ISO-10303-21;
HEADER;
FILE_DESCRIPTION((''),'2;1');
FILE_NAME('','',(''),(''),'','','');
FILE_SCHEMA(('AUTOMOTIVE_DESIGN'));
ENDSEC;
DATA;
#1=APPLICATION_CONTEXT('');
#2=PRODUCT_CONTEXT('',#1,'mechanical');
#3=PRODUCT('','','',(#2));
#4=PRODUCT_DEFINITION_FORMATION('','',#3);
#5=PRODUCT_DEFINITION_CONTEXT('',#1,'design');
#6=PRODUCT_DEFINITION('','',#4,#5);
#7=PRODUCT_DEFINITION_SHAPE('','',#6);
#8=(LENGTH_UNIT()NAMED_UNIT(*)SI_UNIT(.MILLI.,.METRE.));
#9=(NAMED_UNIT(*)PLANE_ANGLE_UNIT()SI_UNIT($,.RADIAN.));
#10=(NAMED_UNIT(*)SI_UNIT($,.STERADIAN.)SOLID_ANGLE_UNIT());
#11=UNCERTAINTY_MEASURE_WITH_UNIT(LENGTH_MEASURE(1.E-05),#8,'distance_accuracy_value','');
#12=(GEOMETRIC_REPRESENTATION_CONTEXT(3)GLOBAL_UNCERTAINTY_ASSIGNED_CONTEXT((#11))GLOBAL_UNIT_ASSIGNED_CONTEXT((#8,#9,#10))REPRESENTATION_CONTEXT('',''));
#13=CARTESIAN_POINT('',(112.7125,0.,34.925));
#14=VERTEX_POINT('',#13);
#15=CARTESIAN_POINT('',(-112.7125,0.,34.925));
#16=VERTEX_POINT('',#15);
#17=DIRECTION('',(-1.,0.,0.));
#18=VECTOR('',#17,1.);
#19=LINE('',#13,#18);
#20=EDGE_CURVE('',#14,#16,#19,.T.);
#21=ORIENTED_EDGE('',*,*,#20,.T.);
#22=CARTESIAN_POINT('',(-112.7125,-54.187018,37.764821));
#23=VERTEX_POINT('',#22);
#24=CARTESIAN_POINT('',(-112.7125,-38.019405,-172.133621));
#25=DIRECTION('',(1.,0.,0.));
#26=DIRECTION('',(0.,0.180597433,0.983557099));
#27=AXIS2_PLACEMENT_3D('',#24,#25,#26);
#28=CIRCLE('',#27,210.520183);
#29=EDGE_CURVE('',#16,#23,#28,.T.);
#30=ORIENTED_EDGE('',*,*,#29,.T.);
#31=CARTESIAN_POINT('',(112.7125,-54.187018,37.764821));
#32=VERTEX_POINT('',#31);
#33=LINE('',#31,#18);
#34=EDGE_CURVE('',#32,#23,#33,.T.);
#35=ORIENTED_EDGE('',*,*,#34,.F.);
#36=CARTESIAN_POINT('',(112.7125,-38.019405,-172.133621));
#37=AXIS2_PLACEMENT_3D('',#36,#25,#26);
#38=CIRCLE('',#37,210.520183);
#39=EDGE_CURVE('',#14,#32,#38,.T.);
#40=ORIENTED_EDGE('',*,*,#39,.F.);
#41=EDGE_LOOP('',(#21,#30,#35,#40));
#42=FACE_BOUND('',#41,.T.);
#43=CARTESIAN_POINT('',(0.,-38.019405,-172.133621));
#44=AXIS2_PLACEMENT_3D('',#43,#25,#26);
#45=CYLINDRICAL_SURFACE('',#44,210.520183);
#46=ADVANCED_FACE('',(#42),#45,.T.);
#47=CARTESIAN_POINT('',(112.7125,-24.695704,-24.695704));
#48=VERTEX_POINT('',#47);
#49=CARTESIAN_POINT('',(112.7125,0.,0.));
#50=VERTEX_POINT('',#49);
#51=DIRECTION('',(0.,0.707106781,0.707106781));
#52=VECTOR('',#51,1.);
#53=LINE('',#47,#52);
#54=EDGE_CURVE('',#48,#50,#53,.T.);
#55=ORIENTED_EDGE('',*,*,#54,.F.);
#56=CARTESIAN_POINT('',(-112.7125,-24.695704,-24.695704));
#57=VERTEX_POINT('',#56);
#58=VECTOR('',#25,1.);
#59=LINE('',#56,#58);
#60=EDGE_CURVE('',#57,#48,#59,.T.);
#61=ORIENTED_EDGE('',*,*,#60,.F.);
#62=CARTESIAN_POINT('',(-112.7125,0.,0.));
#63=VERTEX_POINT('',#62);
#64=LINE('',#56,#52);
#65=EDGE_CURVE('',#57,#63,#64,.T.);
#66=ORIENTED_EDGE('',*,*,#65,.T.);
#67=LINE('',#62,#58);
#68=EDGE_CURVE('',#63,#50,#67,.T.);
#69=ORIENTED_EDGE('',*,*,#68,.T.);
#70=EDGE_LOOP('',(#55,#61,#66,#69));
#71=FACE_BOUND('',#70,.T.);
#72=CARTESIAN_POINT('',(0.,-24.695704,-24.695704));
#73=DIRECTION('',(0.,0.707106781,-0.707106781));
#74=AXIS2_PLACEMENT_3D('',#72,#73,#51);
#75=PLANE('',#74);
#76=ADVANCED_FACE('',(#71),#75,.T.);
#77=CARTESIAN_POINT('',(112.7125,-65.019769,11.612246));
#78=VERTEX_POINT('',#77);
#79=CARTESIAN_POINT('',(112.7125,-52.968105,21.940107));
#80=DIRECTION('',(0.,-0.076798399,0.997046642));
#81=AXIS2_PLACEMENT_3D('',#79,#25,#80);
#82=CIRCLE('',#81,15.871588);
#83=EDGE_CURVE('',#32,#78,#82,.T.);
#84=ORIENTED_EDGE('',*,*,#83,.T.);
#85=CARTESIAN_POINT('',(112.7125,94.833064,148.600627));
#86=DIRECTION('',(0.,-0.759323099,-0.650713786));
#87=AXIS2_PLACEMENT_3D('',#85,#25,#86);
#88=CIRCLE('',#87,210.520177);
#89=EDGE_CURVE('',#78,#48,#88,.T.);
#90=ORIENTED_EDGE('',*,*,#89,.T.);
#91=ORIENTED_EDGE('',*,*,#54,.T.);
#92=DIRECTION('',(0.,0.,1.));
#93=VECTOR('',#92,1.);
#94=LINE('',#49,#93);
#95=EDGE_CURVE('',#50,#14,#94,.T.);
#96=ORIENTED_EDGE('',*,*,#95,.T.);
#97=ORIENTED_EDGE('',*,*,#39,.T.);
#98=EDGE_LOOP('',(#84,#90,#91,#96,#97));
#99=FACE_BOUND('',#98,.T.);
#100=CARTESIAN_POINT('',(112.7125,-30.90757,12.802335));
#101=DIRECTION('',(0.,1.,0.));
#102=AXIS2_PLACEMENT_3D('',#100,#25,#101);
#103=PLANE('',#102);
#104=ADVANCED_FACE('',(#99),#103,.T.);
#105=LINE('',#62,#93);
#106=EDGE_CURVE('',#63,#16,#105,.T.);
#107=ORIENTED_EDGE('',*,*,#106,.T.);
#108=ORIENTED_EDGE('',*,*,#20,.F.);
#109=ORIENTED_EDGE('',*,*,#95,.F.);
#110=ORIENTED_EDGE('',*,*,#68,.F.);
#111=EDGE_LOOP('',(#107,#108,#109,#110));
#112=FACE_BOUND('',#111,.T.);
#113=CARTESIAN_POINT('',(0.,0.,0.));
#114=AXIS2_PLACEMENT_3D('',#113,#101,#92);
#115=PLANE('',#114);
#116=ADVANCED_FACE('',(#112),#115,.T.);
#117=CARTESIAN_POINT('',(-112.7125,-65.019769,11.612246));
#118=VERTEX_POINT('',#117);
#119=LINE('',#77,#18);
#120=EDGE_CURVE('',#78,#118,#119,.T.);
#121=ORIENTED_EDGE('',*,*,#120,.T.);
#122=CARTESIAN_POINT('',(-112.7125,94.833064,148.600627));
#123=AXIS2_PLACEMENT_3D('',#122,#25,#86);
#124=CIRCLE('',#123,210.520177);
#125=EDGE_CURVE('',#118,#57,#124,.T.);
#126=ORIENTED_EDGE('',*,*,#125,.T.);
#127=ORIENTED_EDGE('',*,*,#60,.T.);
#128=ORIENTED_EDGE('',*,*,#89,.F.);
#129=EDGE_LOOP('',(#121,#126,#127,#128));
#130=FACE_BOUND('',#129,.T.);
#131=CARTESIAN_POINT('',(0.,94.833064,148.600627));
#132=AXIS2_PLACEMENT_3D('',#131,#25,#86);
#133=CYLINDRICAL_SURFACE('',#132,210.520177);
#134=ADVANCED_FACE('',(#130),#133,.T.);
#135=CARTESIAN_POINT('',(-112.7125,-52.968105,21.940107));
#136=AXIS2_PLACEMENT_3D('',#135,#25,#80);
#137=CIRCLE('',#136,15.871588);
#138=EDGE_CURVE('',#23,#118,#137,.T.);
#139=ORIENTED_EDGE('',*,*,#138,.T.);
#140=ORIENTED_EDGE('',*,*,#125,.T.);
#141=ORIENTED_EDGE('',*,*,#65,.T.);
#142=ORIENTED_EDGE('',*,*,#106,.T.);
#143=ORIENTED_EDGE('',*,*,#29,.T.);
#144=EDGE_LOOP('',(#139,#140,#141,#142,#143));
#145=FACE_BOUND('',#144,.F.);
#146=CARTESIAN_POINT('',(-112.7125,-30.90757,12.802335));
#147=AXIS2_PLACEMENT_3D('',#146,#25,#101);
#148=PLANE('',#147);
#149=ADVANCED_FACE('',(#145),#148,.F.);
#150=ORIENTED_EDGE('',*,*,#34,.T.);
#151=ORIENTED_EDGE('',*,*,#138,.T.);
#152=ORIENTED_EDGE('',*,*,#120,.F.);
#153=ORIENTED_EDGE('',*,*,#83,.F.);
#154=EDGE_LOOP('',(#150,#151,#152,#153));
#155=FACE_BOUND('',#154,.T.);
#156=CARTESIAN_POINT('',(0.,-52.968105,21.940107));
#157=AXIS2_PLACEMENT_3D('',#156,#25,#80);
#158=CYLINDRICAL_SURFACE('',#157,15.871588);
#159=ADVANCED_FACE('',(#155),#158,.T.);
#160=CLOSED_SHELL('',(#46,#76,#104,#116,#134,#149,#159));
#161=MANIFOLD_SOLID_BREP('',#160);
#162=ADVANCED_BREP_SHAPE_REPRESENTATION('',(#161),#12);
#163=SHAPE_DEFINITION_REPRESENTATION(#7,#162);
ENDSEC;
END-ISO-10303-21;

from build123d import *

# Parameters (mm, degrees)
F1_DEPTH = 112.7125


with BuildPart() as f1:
    # F0 (on Right) → F1 (new body, symmetric)
    with BuildSketch(Plane.YZ):
        with BuildLine():
            ThreePointArc((-65.019769, 11.612246), (-46.032427, -7.846355), (-24.695704, -24.695704))
            Line((-24.695704, -24.695704), (0, 0))
            Line((0, 0), (0, 34.925))
            ThreePointArc((0, 34.925), (-27.001631, 38.098052), (-54.187018, 37.764821))
            ThreePointArc((-54.187018, 37.764821), (-67.631541, 28.013901), (-65.019769, 11.612246))
        make_face()
    extrude(amount=F1_DEPTH, both=True)


solid = f1.part
